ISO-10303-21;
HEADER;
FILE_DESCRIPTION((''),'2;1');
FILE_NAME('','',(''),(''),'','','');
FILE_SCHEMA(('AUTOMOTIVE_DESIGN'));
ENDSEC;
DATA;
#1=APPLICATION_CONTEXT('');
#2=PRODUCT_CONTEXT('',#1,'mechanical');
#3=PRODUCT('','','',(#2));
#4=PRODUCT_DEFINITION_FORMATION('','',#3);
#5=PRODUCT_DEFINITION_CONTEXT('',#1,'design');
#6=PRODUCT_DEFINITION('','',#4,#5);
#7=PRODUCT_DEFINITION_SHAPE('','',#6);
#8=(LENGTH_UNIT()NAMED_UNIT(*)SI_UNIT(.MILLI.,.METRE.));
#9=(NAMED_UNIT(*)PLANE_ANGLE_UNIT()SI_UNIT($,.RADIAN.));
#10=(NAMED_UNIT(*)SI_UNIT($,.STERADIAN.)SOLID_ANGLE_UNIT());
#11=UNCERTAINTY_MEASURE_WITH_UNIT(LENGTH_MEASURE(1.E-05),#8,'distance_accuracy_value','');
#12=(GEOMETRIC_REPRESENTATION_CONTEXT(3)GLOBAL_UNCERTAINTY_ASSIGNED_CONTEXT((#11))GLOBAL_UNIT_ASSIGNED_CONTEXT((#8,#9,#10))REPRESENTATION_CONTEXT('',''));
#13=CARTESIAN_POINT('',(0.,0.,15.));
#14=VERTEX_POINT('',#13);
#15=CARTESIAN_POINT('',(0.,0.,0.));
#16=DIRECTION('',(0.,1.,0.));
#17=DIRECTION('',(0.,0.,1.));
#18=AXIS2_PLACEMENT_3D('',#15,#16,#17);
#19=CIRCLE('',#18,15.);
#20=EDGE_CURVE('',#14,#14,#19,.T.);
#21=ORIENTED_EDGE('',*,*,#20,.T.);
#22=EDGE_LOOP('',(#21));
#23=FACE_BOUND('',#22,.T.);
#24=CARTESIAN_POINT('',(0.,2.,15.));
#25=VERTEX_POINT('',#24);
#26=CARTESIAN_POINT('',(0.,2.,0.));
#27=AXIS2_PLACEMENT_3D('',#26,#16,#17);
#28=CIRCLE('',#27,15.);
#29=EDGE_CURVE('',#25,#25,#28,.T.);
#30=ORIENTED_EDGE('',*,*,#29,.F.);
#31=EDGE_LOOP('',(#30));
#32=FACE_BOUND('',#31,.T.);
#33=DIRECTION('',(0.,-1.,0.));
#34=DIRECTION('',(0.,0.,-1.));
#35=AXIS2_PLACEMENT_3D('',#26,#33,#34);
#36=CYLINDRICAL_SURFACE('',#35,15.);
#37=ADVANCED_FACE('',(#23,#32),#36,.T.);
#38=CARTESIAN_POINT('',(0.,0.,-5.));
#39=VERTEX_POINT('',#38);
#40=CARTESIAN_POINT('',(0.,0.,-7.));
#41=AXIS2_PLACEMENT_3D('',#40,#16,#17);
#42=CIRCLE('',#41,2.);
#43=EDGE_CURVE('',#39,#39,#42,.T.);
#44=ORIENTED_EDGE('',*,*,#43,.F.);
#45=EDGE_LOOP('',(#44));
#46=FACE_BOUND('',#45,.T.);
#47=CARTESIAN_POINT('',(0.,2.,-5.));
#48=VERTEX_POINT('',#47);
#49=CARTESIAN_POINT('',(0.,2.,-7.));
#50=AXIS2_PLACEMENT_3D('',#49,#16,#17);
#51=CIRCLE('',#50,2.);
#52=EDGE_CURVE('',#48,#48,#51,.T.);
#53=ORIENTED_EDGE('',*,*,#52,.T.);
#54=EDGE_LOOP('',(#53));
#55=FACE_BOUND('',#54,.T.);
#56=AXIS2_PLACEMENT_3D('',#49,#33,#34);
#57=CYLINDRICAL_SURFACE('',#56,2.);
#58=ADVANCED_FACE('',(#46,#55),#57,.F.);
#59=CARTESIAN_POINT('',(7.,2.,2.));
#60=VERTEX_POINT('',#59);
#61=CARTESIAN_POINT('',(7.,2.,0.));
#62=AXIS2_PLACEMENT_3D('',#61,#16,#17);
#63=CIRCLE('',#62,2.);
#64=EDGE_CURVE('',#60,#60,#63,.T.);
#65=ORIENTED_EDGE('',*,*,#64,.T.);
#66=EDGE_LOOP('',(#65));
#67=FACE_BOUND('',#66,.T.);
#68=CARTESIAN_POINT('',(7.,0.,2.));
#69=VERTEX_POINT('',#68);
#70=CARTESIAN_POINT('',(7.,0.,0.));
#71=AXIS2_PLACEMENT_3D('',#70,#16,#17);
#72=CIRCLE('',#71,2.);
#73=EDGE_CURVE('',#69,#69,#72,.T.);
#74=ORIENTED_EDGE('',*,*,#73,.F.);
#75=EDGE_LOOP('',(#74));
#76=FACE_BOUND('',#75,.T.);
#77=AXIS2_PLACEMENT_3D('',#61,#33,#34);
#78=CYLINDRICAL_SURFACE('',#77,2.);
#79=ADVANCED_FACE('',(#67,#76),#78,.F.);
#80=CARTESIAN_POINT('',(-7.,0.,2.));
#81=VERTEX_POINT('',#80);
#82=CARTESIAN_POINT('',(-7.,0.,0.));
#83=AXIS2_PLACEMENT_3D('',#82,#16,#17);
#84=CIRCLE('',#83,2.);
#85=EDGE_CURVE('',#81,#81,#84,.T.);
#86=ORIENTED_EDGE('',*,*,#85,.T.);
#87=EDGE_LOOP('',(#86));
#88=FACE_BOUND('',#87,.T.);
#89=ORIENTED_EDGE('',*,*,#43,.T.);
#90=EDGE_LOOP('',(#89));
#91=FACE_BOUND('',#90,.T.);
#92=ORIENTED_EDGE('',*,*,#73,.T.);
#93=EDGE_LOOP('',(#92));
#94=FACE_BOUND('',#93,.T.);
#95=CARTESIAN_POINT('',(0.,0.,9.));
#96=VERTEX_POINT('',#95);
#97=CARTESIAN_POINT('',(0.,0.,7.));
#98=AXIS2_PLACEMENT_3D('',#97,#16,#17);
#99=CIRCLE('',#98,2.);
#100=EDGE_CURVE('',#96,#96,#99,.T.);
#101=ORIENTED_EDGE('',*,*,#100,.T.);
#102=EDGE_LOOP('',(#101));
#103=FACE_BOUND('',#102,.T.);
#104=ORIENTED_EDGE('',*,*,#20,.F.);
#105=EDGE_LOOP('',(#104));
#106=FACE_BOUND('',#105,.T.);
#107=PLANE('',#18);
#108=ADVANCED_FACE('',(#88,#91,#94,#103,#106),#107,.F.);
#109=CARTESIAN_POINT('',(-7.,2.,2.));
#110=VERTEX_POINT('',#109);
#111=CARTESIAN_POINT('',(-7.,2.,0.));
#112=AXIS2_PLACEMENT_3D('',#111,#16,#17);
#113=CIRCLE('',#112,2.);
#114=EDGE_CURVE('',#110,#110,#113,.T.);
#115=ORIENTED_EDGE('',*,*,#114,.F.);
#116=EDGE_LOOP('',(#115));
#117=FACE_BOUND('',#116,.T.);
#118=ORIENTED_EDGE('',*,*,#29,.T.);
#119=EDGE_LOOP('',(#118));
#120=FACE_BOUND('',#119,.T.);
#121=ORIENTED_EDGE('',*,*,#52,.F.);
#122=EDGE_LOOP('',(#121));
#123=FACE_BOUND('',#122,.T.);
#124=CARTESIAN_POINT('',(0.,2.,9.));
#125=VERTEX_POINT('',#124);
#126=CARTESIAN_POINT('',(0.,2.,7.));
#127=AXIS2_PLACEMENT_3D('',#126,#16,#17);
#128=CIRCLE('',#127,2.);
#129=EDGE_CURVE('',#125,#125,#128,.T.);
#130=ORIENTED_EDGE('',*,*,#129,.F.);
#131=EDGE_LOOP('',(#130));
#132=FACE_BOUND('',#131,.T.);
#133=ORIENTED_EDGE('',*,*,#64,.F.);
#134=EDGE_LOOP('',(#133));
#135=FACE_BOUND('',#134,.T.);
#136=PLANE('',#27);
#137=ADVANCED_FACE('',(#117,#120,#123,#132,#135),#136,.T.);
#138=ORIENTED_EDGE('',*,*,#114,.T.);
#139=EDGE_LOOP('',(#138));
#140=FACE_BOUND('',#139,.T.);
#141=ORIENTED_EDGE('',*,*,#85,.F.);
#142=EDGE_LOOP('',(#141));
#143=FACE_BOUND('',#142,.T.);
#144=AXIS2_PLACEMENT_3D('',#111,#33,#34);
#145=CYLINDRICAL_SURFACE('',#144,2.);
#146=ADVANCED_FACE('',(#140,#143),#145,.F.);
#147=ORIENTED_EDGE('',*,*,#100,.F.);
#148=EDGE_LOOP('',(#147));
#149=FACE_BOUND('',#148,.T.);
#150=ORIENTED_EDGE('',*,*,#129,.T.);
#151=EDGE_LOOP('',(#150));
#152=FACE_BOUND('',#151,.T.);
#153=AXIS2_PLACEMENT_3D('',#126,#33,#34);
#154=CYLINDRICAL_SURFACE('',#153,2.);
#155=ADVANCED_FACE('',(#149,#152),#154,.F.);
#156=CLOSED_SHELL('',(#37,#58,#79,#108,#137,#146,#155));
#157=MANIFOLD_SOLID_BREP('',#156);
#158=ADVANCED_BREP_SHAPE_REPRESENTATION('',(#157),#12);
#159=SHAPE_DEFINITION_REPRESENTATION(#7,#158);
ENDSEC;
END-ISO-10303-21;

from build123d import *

# Parameters (mm, degrees)
SKETCH1_R           = 15
SKETCH1_R_2         = 2
BOSS_EXTRUDE1_DEPTH = 2


with BuildPart() as part:
    # Sketch1 → Boss-Extrude1 (new body)
    with BuildSketch(Plane(origin=(0, 0, 0), x_dir=(1, 0, 0), z_dir=(0, 1, 0))):
        with Locations(Location((0, 0, 0), (0, 0, 270))):
            Circle(SKETCH1_R)
        with Locations(Location((0, 7, 0), (0, 0, 270))):
            Circle(SKETCH1_R_2, mode=Mode.SUBTRACT)
        with Locations(Location((7, 0, 0), (0, 0, 270))):
            Circle(SKETCH1_R_2, mode=Mode.SUBTRACT)
        with Locations(Location((0, -7, 0), (0, 0, 270))):
            Circle(SKETCH1_R_2, mode=Mode.SUBTRACT)
        with Locations(Location((-7, 0, 0), (0, 0, 270))):
            Circle(SKETCH1_R_2, mode=Mode.SUBTRACT)
    extrude(amount=BOSS_EXTRUDE1_DEPTH)


solid = part.part
